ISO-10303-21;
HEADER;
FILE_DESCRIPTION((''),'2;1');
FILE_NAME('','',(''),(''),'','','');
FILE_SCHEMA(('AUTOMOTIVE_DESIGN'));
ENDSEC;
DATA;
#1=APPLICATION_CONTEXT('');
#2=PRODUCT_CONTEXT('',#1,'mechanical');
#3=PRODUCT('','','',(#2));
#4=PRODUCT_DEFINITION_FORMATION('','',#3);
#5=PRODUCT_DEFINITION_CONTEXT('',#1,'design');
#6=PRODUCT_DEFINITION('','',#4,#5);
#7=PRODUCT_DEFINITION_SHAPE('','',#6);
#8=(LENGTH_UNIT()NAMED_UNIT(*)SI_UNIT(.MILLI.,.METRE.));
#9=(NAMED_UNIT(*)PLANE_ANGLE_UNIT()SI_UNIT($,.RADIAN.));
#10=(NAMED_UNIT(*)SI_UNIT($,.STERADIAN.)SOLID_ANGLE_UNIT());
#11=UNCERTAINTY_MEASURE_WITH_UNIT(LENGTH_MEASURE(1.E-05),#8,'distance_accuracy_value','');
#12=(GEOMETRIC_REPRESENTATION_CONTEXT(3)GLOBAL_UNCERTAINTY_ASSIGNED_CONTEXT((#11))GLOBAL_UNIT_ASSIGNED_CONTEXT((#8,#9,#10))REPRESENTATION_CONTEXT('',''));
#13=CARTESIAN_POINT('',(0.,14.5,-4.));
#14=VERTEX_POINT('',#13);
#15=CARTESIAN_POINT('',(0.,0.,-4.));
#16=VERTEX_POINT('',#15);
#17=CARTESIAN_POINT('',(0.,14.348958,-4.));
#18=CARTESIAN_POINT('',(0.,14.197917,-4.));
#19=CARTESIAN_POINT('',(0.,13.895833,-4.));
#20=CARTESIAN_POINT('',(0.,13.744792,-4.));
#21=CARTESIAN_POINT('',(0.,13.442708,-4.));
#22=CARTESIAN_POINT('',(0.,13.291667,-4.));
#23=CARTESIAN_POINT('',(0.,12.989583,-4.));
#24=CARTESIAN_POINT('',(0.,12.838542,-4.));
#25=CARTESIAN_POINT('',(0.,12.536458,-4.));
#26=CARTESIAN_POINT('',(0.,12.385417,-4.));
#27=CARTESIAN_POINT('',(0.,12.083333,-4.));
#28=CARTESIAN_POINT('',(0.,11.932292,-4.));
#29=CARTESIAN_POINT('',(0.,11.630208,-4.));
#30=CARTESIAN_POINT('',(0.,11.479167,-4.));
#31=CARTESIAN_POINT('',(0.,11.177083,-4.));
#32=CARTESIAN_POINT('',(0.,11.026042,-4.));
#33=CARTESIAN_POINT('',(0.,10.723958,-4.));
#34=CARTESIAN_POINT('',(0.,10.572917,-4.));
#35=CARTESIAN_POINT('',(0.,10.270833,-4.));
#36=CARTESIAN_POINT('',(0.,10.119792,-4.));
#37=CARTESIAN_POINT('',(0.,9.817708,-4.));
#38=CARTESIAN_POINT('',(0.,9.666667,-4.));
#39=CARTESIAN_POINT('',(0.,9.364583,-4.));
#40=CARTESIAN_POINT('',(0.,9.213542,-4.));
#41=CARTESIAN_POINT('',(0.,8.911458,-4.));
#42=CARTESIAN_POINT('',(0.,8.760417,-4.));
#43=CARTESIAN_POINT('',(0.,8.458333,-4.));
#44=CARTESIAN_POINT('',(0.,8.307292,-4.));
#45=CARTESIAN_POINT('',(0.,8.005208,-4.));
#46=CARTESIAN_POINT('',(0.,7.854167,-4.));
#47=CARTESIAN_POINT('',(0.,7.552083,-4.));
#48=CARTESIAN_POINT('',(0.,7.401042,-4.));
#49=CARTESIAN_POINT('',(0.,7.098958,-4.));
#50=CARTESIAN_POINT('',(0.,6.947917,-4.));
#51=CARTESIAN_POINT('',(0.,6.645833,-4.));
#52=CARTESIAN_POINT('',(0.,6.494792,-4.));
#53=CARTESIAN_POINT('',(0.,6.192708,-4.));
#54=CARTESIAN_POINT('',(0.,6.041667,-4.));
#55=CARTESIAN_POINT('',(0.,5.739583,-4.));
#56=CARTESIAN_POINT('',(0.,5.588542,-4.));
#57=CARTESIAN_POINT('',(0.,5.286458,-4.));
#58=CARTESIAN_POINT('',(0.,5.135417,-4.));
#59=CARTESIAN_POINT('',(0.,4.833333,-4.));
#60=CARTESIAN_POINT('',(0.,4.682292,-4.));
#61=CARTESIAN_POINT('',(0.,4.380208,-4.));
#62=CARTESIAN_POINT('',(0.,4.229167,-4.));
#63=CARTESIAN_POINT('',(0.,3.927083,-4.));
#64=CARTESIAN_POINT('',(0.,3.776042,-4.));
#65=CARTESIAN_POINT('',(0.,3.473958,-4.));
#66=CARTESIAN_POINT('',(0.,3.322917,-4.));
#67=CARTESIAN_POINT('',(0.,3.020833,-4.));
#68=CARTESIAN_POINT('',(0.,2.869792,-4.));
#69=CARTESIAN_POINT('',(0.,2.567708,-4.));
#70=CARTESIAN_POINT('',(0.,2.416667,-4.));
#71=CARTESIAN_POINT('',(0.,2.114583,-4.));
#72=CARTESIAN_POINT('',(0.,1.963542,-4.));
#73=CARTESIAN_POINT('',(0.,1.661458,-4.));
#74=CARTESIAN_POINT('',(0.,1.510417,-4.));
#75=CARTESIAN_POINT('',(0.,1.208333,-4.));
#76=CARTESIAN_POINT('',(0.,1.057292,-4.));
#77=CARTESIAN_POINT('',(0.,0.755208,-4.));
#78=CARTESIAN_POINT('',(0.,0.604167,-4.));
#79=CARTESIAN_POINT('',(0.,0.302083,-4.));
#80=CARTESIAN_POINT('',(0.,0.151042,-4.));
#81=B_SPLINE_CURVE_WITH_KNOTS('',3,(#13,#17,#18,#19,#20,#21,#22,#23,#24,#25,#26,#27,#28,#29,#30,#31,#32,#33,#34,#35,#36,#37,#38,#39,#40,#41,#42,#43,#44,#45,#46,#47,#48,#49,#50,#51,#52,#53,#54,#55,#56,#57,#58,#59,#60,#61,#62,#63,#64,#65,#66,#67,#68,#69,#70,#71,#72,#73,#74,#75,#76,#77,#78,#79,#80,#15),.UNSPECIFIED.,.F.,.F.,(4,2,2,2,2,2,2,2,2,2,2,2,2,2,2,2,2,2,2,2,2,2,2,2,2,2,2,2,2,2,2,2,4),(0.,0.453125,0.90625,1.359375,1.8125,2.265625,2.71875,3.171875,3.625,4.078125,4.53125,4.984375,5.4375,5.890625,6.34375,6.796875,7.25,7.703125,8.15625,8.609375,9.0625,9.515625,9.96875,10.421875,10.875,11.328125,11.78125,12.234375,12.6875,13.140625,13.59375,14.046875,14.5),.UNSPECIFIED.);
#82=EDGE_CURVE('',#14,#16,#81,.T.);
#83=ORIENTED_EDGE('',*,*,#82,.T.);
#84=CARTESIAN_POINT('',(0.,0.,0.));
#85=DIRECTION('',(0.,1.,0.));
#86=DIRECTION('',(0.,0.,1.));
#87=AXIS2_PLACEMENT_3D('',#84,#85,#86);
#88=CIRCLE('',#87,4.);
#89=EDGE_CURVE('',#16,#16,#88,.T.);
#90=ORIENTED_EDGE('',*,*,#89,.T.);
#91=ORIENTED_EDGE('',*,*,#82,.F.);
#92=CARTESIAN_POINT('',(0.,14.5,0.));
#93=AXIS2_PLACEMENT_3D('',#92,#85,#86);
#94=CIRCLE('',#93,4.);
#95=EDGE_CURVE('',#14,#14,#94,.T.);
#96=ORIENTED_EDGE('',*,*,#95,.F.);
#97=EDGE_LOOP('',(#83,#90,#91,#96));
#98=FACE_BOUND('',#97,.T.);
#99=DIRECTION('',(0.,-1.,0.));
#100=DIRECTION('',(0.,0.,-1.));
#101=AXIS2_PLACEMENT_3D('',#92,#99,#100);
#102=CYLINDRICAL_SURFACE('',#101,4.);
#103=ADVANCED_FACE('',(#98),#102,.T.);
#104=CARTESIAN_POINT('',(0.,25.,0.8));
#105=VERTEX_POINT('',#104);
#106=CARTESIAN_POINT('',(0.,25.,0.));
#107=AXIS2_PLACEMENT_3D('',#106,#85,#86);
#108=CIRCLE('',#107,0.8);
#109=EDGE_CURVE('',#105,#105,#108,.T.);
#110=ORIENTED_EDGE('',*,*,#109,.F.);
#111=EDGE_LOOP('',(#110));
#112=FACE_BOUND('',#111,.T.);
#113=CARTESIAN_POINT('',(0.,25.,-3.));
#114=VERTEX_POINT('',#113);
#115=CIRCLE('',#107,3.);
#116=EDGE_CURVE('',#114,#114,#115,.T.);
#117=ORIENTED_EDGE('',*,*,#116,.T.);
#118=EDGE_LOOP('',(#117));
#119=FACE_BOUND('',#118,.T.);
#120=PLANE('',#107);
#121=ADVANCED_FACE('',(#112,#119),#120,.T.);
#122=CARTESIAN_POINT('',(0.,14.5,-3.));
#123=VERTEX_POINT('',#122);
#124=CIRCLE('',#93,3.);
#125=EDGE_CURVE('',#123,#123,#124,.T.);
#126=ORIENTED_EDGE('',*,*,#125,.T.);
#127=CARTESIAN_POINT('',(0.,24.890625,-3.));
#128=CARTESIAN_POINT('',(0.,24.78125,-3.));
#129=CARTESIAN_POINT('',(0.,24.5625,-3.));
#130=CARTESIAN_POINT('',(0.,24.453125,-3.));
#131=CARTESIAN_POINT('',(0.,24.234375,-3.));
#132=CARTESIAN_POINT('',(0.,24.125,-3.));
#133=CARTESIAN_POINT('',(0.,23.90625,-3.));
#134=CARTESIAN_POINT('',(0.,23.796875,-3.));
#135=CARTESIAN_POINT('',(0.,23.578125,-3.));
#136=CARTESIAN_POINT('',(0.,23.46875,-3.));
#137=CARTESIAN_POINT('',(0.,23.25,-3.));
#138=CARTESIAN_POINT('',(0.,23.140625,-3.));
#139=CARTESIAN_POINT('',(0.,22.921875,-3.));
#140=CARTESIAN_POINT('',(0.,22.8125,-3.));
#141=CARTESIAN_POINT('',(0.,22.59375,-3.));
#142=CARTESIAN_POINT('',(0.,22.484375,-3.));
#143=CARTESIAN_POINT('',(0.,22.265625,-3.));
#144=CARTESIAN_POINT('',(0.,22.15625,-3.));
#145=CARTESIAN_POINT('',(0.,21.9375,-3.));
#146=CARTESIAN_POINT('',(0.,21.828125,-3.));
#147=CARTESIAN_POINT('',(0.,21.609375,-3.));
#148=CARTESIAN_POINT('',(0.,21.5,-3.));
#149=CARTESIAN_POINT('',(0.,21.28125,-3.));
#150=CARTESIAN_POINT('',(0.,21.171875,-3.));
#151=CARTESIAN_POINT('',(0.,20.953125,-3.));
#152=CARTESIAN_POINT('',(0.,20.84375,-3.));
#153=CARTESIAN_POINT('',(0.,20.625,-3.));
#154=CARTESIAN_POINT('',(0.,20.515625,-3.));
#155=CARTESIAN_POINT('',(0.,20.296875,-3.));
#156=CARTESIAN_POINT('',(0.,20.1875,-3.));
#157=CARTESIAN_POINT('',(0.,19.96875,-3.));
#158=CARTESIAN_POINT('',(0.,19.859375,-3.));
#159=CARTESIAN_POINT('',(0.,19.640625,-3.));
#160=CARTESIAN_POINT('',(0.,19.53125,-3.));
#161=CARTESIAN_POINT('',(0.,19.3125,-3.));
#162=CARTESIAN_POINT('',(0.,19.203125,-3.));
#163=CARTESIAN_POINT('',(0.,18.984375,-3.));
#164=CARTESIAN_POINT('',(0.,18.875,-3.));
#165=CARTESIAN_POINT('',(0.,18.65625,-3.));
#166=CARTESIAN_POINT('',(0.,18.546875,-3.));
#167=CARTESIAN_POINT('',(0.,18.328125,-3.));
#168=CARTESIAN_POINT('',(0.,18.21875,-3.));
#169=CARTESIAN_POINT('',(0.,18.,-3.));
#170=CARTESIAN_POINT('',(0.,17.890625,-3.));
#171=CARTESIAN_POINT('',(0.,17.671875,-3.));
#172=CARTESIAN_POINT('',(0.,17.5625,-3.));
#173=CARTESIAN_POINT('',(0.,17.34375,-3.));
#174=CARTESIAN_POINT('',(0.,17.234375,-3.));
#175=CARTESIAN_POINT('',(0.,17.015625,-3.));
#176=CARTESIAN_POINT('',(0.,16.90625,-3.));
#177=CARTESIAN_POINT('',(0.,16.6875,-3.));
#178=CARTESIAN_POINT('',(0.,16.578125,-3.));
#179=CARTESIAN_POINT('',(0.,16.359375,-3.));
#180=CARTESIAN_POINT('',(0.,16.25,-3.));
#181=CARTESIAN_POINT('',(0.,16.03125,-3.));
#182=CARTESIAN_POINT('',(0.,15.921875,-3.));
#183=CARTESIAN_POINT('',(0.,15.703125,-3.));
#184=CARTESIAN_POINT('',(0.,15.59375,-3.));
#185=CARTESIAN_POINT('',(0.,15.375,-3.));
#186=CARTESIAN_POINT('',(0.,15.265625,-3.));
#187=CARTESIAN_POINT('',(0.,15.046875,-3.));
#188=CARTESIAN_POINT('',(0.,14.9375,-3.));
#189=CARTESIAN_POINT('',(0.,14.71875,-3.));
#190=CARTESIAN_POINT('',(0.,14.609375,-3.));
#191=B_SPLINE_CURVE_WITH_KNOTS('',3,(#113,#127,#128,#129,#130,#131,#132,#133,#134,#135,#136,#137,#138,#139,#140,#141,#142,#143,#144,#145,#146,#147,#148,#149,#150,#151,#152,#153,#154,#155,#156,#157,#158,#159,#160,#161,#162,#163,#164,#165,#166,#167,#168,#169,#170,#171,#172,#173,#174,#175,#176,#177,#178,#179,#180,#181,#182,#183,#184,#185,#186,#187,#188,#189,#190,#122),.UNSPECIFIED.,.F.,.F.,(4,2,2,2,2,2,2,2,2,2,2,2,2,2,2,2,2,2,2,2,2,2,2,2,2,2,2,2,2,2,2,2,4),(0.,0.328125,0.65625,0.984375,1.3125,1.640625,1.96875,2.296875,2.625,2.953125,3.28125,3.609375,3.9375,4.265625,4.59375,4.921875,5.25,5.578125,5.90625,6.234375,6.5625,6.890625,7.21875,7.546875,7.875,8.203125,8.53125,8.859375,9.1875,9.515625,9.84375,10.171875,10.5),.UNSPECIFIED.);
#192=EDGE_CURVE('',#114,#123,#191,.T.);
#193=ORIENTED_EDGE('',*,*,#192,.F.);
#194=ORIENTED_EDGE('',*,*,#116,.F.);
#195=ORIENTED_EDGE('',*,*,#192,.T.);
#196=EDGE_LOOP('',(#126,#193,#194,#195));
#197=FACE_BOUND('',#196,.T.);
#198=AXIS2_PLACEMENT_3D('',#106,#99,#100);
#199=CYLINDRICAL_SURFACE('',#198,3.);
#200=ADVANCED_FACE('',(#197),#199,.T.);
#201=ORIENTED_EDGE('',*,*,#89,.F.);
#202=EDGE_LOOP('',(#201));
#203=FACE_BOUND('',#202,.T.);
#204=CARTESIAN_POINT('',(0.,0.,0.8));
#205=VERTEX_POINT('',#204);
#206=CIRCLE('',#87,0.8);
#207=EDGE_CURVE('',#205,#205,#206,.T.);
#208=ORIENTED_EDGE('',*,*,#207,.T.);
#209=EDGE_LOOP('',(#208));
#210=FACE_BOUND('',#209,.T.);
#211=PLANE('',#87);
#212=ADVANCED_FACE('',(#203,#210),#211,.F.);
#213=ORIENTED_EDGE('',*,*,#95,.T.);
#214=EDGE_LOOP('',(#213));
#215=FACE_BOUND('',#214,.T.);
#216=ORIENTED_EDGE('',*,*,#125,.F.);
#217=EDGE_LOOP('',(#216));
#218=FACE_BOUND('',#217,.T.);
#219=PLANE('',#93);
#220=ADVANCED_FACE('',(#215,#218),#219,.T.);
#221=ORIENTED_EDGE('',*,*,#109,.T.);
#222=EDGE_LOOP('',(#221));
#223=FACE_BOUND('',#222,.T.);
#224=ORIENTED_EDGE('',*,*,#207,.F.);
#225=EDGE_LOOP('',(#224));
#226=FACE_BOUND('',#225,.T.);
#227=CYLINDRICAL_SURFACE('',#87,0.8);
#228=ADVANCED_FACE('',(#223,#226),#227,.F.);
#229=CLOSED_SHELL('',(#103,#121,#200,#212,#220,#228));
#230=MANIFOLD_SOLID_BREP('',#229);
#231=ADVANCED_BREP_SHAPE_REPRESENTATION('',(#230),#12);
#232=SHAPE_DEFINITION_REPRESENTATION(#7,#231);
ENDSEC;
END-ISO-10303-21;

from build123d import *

# Parameters (mm, degrees)
SKETCH1_R           = 4
BOSS_EXTRUDE1_DEPTH = 14.5
SKETCH2_R           = 3
BOSS_EXTRUDE2_DEPTH = 10.5
SKETCH3_R           = 0.8
CUT_EXTRUDE1_DEPTH  = 25


with BuildPart() as part:
    # Sketch1 → Boss-Extrude1 (new body)
    with BuildSketch(Plane(origin=(0, 0, 0), x_dir=(1, 0, 0), z_dir=(0, 1, 0))):
        Circle(SKETCH1_R)
    extrude(amount=BOSS_EXTRUDE1_DEPTH)

    # Sketch2 → Boss-Extrude2 (add)
    with BuildSketch(Plane(origin=(0, 14.5, 0), x_dir=(1, 0, 0), z_dir=(0, 1, 0))):
        Circle(SKETCH2_R)
    extrude(amount=BOSS_EXTRUDE2_DEPTH)

    # Sketch3 → Cut-Extrude1 (cut)
    with BuildSketch(Plane(origin=(0, 25, 0), x_dir=(1, 0, 0), z_dir=(0, 1, 0))):
        Circle(SKETCH3_R)
    extrude(amount=-CUT_EXTRUDE1_DEPTH, mode=Mode.SUBTRACT)


solid = part.part
